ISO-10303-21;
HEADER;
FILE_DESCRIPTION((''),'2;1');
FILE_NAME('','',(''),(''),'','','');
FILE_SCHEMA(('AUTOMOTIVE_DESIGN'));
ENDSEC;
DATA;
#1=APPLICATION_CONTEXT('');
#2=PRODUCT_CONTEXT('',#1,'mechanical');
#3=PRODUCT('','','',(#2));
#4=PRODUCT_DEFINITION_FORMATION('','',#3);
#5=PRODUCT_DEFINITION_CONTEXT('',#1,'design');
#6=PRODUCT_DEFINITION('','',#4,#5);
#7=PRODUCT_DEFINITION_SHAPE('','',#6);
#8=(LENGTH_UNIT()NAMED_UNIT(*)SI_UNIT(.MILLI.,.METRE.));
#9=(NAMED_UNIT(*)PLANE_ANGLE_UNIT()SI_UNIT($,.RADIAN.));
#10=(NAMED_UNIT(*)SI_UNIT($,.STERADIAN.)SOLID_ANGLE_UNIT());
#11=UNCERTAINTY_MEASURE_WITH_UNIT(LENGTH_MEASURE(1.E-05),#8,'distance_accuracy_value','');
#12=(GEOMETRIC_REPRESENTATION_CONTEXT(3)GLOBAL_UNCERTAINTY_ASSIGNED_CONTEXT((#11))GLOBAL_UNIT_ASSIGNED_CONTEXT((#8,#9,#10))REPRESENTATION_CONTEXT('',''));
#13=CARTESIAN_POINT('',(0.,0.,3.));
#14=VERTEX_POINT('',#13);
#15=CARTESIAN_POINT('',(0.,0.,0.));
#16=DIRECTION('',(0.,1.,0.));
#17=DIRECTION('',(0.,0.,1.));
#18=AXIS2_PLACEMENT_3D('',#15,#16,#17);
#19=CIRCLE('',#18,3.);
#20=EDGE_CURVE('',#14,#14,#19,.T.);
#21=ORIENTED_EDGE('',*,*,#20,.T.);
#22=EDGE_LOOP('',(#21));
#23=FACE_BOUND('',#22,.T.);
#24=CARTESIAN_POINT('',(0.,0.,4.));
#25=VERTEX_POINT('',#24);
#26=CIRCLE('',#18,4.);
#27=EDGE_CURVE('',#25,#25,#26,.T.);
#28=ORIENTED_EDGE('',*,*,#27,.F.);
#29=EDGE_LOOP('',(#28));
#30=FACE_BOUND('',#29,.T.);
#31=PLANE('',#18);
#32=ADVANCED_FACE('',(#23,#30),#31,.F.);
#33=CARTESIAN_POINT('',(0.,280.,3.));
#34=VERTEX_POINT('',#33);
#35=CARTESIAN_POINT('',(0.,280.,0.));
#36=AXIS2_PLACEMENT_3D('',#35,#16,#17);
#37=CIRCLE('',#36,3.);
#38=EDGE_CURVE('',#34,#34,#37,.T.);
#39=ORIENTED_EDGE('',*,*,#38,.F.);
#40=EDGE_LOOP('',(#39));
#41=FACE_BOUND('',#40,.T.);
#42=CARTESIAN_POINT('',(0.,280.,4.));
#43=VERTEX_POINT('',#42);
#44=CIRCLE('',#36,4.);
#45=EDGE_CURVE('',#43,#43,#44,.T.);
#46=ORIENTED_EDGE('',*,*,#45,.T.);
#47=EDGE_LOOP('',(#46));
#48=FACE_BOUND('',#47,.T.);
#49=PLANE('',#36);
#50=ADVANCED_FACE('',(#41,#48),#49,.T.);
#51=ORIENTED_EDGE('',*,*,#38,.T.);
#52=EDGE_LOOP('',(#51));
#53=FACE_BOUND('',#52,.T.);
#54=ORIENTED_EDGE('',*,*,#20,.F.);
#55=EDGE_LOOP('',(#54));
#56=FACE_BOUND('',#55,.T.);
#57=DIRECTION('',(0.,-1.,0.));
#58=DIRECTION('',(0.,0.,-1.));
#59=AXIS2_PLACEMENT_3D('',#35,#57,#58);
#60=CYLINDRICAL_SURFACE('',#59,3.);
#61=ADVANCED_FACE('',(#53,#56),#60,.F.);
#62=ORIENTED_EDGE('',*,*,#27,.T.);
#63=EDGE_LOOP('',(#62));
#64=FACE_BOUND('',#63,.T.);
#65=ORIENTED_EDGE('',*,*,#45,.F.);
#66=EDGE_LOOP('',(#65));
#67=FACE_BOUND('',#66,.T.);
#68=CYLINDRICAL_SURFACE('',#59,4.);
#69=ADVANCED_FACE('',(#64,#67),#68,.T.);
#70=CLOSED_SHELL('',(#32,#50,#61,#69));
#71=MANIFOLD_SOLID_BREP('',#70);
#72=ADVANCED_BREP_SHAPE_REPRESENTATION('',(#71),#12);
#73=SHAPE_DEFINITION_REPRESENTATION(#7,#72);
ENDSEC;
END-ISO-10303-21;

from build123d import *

# Parameters (mm, degrees)
SKETCH1_R           = 4
SKETCH1_R_2         = 3
BOSS_EXTRUDE1_DEPTH = 280


with BuildPart() as part:
    # Sketch1 → Boss-Extrude1 (new body)
    with BuildSketch(Plane(origin=(0, 0, 0), x_dir=(1, 0, 0), z_dir=(0, 1, 0))):
        with Locations(Location((0, 0, 0), (0, 0, 270))):
            Circle(SKETCH1_R)
        with Locations(Location((0, 0, 0), (0, 0, 270))):
            Circle(SKETCH1_R_2, mode=Mode.SUBTRACT)
    extrude(amount=BOSS_EXTRUDE1_DEPTH)


solid = part.part
